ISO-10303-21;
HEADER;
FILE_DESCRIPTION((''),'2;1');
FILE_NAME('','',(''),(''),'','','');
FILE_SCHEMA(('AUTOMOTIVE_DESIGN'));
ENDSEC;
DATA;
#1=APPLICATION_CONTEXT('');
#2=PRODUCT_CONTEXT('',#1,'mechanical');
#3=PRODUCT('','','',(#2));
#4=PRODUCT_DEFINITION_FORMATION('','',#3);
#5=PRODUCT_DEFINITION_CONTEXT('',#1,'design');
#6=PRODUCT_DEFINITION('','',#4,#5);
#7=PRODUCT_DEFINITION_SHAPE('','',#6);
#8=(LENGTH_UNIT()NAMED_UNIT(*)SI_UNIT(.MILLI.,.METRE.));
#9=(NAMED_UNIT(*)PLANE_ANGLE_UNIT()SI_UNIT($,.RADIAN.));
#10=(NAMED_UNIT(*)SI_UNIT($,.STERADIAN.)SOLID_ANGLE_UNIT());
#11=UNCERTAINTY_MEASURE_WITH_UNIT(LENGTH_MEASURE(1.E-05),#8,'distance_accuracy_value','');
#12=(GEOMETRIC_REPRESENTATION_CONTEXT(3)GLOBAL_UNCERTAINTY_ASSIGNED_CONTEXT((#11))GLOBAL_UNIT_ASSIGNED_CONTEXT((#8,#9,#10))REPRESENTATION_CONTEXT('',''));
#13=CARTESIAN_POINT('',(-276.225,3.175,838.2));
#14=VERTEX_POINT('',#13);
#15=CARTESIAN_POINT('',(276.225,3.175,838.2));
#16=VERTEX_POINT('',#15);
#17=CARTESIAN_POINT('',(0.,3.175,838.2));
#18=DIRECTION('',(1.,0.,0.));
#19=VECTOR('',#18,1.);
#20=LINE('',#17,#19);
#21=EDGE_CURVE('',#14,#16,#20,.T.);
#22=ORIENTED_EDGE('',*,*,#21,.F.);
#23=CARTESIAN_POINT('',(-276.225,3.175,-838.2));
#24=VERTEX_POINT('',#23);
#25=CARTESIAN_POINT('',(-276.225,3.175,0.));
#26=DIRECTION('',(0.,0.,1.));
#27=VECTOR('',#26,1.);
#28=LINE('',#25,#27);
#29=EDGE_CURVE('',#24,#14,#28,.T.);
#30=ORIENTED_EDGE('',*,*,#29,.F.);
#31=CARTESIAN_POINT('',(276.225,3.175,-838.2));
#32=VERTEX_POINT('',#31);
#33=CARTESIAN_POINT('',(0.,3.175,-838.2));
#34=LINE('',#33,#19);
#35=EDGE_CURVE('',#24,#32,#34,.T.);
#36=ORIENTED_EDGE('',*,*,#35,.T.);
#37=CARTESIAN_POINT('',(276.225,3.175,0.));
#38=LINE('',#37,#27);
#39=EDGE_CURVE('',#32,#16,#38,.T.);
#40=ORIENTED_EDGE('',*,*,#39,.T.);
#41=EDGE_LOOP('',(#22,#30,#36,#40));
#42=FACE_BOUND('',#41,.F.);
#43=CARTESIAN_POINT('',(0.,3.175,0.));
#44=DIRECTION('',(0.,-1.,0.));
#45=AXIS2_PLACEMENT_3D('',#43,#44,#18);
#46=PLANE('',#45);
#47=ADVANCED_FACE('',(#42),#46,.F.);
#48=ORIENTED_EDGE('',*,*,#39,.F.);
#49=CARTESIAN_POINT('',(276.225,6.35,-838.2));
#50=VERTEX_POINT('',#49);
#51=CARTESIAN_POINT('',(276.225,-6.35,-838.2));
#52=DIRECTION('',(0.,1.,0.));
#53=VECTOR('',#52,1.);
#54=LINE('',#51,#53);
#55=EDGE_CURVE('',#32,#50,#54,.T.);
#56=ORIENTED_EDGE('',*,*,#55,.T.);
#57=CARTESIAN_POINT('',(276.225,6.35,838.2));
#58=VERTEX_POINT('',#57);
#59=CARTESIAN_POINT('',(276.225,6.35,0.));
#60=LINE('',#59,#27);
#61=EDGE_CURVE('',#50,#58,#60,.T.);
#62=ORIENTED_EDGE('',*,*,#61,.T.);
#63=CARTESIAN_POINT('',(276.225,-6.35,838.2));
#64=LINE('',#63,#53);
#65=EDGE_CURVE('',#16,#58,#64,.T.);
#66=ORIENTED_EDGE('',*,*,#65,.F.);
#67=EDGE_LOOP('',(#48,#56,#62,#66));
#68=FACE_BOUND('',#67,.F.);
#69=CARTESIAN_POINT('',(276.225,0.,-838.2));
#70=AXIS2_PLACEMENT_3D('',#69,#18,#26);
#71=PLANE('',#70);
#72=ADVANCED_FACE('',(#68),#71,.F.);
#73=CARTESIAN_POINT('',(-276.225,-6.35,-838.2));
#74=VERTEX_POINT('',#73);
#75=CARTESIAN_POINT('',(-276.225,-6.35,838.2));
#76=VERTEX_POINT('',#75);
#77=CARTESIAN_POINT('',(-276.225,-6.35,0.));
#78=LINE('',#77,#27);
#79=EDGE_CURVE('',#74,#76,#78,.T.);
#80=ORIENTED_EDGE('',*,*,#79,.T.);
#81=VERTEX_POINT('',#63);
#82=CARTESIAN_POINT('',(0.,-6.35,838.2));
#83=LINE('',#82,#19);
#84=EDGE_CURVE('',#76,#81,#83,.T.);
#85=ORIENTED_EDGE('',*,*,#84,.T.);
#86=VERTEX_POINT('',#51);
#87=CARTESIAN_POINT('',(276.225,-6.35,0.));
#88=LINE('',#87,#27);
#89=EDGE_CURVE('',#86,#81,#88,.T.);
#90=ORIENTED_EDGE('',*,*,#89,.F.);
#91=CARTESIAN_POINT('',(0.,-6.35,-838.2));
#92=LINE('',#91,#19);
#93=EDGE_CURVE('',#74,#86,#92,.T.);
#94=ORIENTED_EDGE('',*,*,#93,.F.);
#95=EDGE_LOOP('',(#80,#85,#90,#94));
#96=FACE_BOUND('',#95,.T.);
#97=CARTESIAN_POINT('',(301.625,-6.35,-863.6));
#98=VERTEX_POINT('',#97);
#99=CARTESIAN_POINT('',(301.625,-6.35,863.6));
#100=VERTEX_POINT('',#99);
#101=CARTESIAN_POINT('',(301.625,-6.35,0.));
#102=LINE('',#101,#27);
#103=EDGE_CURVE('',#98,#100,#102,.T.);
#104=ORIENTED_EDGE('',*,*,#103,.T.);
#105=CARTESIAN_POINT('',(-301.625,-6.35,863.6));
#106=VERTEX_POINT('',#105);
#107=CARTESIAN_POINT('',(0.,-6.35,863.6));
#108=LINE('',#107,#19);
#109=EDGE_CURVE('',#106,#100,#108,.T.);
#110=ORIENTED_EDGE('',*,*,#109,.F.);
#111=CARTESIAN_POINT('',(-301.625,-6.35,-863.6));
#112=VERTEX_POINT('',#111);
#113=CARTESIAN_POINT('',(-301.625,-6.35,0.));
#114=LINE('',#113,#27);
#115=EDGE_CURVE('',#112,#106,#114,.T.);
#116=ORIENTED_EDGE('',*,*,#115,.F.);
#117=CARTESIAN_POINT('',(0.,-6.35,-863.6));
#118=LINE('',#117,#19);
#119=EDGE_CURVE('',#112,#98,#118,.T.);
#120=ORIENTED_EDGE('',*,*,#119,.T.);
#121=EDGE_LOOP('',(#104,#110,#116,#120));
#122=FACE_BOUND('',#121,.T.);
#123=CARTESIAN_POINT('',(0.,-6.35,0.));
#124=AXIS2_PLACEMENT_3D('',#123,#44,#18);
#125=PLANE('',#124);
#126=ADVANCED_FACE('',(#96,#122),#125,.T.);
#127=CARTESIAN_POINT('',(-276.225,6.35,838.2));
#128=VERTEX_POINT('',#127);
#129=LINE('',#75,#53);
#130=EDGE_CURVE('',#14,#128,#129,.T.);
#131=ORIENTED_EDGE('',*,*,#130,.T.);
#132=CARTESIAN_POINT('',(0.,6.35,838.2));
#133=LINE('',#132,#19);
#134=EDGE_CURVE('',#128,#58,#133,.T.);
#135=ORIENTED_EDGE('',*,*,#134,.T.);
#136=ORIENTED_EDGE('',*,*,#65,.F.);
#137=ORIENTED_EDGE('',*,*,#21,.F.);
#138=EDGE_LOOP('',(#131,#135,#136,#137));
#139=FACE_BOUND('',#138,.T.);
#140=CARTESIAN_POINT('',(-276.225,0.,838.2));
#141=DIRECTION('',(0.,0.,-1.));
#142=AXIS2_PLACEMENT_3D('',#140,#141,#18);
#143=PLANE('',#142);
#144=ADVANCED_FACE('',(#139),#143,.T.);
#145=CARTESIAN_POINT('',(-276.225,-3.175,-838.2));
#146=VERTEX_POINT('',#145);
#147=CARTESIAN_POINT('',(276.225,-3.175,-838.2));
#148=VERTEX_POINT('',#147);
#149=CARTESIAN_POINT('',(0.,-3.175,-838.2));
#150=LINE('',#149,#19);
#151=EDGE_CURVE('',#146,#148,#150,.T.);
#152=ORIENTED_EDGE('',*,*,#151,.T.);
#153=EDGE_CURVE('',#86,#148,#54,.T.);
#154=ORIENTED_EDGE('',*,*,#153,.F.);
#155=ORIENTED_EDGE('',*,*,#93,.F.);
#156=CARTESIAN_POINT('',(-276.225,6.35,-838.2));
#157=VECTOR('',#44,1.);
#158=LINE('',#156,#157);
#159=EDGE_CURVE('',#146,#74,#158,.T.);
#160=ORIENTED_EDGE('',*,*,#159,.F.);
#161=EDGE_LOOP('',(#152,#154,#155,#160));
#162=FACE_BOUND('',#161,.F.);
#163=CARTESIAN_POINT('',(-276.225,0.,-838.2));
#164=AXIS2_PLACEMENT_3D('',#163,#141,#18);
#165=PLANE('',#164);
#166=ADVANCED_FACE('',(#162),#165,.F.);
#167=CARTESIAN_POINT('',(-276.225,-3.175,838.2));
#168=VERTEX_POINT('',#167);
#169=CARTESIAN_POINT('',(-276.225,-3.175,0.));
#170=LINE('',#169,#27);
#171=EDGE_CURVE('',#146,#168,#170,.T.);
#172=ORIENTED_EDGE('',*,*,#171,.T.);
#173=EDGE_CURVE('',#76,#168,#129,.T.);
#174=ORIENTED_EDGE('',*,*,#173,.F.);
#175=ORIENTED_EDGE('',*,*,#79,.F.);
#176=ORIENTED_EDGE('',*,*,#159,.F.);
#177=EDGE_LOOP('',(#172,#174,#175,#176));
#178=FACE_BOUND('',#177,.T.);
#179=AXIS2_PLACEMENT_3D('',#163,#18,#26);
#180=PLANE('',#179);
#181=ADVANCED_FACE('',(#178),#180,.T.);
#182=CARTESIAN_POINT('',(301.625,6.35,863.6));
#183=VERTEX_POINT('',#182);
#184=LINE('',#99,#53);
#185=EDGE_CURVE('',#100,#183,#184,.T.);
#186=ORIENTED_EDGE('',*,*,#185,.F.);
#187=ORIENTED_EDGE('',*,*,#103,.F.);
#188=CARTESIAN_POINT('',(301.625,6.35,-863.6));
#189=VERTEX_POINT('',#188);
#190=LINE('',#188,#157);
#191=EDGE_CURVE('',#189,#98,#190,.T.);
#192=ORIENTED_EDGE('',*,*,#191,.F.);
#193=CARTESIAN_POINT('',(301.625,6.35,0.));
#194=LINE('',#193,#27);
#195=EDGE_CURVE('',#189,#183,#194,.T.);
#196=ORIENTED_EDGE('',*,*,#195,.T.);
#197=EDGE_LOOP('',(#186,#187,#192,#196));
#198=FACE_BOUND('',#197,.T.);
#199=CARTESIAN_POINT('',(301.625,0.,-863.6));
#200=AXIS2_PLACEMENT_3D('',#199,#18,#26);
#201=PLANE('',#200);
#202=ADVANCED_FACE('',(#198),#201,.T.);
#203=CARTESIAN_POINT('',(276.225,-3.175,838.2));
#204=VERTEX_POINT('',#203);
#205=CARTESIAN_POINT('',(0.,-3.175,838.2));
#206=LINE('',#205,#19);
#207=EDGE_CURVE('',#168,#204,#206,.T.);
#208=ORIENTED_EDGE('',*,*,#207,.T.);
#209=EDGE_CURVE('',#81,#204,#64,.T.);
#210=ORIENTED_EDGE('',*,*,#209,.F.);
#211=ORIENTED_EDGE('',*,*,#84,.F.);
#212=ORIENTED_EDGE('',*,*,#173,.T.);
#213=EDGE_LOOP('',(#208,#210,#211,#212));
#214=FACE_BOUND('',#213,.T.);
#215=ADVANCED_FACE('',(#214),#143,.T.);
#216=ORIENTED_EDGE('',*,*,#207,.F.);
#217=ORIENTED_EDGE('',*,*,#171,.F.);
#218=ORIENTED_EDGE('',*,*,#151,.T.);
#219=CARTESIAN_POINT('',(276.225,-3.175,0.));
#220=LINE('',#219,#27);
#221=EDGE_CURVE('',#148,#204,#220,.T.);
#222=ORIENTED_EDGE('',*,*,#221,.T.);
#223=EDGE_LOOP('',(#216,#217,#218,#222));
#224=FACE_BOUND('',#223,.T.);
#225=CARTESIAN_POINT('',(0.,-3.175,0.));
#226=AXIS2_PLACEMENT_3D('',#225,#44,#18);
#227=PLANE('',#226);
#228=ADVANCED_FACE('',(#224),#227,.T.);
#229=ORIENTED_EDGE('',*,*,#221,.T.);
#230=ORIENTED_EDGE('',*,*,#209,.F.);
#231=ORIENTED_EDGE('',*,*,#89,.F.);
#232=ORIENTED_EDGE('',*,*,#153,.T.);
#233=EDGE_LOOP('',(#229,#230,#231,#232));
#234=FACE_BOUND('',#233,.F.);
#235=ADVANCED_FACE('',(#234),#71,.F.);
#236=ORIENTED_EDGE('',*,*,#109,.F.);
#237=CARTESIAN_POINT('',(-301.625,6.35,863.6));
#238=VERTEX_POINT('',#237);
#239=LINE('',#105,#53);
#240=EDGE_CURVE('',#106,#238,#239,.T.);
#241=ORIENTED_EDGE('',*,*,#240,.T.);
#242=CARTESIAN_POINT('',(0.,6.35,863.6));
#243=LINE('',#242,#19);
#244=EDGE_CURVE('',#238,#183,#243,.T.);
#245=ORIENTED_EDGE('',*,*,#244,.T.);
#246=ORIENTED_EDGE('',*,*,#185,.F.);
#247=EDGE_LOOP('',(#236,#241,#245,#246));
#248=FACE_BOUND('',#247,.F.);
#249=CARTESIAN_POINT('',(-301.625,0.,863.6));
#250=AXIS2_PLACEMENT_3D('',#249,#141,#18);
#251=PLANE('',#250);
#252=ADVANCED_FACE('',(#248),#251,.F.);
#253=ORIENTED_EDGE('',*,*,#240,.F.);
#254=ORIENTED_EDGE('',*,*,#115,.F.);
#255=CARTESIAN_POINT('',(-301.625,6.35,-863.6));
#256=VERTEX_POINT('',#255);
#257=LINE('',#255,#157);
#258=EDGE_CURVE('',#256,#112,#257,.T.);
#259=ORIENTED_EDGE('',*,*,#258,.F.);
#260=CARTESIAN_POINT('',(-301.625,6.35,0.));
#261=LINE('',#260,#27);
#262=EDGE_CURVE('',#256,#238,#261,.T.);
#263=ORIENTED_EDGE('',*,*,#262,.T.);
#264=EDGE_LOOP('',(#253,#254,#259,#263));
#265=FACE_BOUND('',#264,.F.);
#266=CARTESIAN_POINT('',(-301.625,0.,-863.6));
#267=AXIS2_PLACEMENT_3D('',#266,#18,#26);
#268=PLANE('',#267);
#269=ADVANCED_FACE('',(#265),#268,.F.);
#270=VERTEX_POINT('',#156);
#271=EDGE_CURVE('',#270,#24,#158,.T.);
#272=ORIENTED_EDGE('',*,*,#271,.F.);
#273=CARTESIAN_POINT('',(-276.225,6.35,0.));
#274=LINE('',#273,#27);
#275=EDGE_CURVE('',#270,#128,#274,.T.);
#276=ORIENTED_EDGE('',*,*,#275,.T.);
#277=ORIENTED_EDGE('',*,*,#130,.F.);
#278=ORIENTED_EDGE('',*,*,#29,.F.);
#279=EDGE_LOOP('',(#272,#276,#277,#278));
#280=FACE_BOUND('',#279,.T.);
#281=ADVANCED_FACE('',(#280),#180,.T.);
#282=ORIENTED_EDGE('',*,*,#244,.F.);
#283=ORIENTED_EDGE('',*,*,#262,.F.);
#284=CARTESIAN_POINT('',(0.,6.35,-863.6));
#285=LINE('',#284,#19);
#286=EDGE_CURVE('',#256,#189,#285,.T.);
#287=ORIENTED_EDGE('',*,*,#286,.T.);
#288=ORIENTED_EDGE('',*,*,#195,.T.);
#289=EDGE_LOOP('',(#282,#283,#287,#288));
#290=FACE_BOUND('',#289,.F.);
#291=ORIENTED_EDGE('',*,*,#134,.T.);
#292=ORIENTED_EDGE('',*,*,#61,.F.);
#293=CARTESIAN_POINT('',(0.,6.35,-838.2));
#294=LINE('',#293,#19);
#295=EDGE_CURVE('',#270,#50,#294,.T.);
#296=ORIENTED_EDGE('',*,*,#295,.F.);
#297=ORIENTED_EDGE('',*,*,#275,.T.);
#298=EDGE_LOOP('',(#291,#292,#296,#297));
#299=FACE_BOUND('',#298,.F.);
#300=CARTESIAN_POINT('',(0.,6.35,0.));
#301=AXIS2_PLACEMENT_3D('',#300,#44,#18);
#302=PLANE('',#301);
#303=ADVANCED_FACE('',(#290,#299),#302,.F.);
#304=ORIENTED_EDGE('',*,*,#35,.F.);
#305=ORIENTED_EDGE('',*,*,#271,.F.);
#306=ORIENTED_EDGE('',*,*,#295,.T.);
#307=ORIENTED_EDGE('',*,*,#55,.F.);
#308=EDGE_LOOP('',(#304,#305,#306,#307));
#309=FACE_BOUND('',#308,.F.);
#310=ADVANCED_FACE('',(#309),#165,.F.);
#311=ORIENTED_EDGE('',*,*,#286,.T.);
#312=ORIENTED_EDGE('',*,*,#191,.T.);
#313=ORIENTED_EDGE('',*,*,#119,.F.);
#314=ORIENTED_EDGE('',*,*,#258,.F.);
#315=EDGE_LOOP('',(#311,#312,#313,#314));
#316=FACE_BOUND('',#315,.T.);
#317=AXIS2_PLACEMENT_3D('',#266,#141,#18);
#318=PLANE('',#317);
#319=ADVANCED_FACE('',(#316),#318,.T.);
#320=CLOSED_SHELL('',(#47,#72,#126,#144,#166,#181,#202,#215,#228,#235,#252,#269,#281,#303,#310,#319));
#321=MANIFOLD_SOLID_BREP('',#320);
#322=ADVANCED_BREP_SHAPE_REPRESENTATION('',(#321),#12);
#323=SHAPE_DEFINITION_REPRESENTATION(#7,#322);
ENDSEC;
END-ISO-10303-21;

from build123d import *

# Parameters (mm, degrees)
F0_W     = 603.25
F0_H     = 1727.2
F0_W_2   = 552.45
F0_H_2   = 1676.4
F1_DEPTH = 6.35
F2_DEPTH = 3.175


with BuildPart() as f1:
    # F0 (on Front) → F1 (new body, symmetric)
    with BuildSketch(Plane.XZ):
        Rectangle(F0_W, F0_H)
        Rectangle(F0_W_2, F0_H_2, mode=Mode.SUBTRACT)
    extrude(amount=F1_DEPTH, both=True)

    # F0 (on Front) → F2 (join, symmetric)
    with BuildSketch(Plane.XZ):
        Rectangle(F0_W_2, F0_H_2)
    extrude(amount=F2_DEPTH, both=True)


solid = f1.part
